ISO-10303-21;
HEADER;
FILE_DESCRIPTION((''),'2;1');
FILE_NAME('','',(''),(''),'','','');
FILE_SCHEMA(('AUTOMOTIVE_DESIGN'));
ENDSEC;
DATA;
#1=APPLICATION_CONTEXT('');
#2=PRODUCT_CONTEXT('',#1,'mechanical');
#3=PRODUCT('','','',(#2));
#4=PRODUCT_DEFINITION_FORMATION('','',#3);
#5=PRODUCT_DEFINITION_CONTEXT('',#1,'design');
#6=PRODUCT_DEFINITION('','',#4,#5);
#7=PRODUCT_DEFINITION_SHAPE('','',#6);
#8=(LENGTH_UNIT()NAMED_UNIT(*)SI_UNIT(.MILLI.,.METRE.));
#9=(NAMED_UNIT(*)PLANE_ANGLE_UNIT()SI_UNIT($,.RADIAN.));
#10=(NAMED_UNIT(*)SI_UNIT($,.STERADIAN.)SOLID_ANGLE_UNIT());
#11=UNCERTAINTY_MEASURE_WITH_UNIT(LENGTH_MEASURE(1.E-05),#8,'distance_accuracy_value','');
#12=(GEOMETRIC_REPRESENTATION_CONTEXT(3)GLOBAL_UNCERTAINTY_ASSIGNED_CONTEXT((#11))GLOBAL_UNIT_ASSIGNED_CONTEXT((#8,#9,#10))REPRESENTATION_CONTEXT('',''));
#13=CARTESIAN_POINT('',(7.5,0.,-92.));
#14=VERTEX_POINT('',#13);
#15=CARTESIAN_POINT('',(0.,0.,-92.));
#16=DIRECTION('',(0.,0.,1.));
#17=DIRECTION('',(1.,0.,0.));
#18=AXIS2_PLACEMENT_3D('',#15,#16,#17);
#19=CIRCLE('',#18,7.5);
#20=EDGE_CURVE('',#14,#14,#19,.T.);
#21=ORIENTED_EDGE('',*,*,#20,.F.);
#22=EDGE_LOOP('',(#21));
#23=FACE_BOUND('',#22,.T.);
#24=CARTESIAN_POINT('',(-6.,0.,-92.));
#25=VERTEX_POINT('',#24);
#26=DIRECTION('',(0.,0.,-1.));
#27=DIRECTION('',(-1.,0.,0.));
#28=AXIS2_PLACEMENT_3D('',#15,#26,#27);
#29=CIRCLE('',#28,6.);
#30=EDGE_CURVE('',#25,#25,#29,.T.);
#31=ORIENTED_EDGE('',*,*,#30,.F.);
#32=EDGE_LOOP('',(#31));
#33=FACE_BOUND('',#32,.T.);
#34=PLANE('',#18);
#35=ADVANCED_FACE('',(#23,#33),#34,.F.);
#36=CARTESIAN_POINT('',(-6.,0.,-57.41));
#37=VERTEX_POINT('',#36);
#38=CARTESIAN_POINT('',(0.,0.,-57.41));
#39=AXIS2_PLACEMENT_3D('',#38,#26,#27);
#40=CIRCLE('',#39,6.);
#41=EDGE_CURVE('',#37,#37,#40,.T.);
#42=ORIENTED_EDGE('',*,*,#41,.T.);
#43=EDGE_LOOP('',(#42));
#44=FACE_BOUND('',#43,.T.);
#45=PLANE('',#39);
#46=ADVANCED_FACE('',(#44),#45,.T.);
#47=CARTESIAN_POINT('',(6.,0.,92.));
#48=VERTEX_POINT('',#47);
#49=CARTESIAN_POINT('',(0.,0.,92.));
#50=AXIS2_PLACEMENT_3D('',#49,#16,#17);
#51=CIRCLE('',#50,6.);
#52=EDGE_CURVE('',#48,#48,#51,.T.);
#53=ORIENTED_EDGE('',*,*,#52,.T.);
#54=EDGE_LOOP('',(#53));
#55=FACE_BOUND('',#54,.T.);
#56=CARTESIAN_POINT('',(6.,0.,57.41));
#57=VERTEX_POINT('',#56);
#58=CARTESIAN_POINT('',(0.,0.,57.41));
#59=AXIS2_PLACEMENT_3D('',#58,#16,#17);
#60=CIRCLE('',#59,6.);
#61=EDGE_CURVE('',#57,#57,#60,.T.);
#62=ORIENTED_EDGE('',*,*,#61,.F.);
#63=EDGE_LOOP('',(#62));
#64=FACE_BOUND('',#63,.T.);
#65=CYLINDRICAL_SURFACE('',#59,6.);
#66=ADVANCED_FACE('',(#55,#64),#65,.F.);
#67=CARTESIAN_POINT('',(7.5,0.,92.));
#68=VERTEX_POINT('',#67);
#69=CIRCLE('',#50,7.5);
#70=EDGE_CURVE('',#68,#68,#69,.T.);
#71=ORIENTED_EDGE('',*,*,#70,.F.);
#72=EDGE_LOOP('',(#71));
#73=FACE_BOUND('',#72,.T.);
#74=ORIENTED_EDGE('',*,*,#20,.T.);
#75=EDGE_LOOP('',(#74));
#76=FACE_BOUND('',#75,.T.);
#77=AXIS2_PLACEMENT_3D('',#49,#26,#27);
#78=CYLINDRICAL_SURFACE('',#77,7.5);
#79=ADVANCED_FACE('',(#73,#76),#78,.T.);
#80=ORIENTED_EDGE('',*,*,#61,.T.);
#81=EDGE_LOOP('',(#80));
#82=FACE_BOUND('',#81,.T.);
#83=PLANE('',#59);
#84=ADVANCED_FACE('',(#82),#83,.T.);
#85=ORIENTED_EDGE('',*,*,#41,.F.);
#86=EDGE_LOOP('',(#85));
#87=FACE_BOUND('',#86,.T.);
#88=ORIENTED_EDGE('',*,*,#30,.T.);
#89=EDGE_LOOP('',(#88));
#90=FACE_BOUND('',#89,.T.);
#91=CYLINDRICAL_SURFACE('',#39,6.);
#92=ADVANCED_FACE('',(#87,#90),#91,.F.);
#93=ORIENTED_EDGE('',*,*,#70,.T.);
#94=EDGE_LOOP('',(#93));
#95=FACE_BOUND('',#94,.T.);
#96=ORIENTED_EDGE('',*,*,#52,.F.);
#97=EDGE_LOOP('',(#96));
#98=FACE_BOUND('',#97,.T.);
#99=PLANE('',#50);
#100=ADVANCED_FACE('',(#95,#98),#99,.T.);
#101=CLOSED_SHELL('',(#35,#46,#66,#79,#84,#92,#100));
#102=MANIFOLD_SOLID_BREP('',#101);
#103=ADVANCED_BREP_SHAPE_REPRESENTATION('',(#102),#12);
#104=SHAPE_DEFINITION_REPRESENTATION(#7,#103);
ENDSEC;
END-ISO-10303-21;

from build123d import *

# Parameters (mm, degrees)
SKETCH_1_R          = 7.5
EXTRUDE_1_DEPTH     = 92
SKETCH_2_R          = 6
CUT_EXTRUDE_1_DEPTH = 34.59
CUT_EXTRUDE_START   = -34.59
SKETCH_3_R          = 6
CUT_EXTRUDE_2_DEPTH = 34.59


with BuildPart() as part:
    # 스케치1 → 보스-돌출1 (new, symmetric)
    with BuildSketch(Plane.XY):
        Circle(SKETCH_1_R)
    extrude(amount=EXTRUDE_1_DEPTH, both=True)

    # 스케치2 → 컷-돌출1 (cut)
    with BuildSketch(Plane.XY.offset(92)):
        Circle(SKETCH_2_R)
    extrude(amount=-CUT_EXTRUDE_1_DEPTH, mode=Mode.SUBTRACT)

    # 스케치3 → 컷-돌출2 (cut)
    with BuildSketch(Plane(origin=(0, 0, -92), x_dir=(-1, 0, 0), z_dir=(0, 0, -1)).offset(CUT_EXTRUDE_START)):
        with Locations(Location((0, 0, 0), (0, 0, 180))):
            Circle(SKETCH_3_R)
    extrude(amount=CUT_EXTRUDE_2_DEPTH, mode=Mode.SUBTRACT)


solid = part.part
